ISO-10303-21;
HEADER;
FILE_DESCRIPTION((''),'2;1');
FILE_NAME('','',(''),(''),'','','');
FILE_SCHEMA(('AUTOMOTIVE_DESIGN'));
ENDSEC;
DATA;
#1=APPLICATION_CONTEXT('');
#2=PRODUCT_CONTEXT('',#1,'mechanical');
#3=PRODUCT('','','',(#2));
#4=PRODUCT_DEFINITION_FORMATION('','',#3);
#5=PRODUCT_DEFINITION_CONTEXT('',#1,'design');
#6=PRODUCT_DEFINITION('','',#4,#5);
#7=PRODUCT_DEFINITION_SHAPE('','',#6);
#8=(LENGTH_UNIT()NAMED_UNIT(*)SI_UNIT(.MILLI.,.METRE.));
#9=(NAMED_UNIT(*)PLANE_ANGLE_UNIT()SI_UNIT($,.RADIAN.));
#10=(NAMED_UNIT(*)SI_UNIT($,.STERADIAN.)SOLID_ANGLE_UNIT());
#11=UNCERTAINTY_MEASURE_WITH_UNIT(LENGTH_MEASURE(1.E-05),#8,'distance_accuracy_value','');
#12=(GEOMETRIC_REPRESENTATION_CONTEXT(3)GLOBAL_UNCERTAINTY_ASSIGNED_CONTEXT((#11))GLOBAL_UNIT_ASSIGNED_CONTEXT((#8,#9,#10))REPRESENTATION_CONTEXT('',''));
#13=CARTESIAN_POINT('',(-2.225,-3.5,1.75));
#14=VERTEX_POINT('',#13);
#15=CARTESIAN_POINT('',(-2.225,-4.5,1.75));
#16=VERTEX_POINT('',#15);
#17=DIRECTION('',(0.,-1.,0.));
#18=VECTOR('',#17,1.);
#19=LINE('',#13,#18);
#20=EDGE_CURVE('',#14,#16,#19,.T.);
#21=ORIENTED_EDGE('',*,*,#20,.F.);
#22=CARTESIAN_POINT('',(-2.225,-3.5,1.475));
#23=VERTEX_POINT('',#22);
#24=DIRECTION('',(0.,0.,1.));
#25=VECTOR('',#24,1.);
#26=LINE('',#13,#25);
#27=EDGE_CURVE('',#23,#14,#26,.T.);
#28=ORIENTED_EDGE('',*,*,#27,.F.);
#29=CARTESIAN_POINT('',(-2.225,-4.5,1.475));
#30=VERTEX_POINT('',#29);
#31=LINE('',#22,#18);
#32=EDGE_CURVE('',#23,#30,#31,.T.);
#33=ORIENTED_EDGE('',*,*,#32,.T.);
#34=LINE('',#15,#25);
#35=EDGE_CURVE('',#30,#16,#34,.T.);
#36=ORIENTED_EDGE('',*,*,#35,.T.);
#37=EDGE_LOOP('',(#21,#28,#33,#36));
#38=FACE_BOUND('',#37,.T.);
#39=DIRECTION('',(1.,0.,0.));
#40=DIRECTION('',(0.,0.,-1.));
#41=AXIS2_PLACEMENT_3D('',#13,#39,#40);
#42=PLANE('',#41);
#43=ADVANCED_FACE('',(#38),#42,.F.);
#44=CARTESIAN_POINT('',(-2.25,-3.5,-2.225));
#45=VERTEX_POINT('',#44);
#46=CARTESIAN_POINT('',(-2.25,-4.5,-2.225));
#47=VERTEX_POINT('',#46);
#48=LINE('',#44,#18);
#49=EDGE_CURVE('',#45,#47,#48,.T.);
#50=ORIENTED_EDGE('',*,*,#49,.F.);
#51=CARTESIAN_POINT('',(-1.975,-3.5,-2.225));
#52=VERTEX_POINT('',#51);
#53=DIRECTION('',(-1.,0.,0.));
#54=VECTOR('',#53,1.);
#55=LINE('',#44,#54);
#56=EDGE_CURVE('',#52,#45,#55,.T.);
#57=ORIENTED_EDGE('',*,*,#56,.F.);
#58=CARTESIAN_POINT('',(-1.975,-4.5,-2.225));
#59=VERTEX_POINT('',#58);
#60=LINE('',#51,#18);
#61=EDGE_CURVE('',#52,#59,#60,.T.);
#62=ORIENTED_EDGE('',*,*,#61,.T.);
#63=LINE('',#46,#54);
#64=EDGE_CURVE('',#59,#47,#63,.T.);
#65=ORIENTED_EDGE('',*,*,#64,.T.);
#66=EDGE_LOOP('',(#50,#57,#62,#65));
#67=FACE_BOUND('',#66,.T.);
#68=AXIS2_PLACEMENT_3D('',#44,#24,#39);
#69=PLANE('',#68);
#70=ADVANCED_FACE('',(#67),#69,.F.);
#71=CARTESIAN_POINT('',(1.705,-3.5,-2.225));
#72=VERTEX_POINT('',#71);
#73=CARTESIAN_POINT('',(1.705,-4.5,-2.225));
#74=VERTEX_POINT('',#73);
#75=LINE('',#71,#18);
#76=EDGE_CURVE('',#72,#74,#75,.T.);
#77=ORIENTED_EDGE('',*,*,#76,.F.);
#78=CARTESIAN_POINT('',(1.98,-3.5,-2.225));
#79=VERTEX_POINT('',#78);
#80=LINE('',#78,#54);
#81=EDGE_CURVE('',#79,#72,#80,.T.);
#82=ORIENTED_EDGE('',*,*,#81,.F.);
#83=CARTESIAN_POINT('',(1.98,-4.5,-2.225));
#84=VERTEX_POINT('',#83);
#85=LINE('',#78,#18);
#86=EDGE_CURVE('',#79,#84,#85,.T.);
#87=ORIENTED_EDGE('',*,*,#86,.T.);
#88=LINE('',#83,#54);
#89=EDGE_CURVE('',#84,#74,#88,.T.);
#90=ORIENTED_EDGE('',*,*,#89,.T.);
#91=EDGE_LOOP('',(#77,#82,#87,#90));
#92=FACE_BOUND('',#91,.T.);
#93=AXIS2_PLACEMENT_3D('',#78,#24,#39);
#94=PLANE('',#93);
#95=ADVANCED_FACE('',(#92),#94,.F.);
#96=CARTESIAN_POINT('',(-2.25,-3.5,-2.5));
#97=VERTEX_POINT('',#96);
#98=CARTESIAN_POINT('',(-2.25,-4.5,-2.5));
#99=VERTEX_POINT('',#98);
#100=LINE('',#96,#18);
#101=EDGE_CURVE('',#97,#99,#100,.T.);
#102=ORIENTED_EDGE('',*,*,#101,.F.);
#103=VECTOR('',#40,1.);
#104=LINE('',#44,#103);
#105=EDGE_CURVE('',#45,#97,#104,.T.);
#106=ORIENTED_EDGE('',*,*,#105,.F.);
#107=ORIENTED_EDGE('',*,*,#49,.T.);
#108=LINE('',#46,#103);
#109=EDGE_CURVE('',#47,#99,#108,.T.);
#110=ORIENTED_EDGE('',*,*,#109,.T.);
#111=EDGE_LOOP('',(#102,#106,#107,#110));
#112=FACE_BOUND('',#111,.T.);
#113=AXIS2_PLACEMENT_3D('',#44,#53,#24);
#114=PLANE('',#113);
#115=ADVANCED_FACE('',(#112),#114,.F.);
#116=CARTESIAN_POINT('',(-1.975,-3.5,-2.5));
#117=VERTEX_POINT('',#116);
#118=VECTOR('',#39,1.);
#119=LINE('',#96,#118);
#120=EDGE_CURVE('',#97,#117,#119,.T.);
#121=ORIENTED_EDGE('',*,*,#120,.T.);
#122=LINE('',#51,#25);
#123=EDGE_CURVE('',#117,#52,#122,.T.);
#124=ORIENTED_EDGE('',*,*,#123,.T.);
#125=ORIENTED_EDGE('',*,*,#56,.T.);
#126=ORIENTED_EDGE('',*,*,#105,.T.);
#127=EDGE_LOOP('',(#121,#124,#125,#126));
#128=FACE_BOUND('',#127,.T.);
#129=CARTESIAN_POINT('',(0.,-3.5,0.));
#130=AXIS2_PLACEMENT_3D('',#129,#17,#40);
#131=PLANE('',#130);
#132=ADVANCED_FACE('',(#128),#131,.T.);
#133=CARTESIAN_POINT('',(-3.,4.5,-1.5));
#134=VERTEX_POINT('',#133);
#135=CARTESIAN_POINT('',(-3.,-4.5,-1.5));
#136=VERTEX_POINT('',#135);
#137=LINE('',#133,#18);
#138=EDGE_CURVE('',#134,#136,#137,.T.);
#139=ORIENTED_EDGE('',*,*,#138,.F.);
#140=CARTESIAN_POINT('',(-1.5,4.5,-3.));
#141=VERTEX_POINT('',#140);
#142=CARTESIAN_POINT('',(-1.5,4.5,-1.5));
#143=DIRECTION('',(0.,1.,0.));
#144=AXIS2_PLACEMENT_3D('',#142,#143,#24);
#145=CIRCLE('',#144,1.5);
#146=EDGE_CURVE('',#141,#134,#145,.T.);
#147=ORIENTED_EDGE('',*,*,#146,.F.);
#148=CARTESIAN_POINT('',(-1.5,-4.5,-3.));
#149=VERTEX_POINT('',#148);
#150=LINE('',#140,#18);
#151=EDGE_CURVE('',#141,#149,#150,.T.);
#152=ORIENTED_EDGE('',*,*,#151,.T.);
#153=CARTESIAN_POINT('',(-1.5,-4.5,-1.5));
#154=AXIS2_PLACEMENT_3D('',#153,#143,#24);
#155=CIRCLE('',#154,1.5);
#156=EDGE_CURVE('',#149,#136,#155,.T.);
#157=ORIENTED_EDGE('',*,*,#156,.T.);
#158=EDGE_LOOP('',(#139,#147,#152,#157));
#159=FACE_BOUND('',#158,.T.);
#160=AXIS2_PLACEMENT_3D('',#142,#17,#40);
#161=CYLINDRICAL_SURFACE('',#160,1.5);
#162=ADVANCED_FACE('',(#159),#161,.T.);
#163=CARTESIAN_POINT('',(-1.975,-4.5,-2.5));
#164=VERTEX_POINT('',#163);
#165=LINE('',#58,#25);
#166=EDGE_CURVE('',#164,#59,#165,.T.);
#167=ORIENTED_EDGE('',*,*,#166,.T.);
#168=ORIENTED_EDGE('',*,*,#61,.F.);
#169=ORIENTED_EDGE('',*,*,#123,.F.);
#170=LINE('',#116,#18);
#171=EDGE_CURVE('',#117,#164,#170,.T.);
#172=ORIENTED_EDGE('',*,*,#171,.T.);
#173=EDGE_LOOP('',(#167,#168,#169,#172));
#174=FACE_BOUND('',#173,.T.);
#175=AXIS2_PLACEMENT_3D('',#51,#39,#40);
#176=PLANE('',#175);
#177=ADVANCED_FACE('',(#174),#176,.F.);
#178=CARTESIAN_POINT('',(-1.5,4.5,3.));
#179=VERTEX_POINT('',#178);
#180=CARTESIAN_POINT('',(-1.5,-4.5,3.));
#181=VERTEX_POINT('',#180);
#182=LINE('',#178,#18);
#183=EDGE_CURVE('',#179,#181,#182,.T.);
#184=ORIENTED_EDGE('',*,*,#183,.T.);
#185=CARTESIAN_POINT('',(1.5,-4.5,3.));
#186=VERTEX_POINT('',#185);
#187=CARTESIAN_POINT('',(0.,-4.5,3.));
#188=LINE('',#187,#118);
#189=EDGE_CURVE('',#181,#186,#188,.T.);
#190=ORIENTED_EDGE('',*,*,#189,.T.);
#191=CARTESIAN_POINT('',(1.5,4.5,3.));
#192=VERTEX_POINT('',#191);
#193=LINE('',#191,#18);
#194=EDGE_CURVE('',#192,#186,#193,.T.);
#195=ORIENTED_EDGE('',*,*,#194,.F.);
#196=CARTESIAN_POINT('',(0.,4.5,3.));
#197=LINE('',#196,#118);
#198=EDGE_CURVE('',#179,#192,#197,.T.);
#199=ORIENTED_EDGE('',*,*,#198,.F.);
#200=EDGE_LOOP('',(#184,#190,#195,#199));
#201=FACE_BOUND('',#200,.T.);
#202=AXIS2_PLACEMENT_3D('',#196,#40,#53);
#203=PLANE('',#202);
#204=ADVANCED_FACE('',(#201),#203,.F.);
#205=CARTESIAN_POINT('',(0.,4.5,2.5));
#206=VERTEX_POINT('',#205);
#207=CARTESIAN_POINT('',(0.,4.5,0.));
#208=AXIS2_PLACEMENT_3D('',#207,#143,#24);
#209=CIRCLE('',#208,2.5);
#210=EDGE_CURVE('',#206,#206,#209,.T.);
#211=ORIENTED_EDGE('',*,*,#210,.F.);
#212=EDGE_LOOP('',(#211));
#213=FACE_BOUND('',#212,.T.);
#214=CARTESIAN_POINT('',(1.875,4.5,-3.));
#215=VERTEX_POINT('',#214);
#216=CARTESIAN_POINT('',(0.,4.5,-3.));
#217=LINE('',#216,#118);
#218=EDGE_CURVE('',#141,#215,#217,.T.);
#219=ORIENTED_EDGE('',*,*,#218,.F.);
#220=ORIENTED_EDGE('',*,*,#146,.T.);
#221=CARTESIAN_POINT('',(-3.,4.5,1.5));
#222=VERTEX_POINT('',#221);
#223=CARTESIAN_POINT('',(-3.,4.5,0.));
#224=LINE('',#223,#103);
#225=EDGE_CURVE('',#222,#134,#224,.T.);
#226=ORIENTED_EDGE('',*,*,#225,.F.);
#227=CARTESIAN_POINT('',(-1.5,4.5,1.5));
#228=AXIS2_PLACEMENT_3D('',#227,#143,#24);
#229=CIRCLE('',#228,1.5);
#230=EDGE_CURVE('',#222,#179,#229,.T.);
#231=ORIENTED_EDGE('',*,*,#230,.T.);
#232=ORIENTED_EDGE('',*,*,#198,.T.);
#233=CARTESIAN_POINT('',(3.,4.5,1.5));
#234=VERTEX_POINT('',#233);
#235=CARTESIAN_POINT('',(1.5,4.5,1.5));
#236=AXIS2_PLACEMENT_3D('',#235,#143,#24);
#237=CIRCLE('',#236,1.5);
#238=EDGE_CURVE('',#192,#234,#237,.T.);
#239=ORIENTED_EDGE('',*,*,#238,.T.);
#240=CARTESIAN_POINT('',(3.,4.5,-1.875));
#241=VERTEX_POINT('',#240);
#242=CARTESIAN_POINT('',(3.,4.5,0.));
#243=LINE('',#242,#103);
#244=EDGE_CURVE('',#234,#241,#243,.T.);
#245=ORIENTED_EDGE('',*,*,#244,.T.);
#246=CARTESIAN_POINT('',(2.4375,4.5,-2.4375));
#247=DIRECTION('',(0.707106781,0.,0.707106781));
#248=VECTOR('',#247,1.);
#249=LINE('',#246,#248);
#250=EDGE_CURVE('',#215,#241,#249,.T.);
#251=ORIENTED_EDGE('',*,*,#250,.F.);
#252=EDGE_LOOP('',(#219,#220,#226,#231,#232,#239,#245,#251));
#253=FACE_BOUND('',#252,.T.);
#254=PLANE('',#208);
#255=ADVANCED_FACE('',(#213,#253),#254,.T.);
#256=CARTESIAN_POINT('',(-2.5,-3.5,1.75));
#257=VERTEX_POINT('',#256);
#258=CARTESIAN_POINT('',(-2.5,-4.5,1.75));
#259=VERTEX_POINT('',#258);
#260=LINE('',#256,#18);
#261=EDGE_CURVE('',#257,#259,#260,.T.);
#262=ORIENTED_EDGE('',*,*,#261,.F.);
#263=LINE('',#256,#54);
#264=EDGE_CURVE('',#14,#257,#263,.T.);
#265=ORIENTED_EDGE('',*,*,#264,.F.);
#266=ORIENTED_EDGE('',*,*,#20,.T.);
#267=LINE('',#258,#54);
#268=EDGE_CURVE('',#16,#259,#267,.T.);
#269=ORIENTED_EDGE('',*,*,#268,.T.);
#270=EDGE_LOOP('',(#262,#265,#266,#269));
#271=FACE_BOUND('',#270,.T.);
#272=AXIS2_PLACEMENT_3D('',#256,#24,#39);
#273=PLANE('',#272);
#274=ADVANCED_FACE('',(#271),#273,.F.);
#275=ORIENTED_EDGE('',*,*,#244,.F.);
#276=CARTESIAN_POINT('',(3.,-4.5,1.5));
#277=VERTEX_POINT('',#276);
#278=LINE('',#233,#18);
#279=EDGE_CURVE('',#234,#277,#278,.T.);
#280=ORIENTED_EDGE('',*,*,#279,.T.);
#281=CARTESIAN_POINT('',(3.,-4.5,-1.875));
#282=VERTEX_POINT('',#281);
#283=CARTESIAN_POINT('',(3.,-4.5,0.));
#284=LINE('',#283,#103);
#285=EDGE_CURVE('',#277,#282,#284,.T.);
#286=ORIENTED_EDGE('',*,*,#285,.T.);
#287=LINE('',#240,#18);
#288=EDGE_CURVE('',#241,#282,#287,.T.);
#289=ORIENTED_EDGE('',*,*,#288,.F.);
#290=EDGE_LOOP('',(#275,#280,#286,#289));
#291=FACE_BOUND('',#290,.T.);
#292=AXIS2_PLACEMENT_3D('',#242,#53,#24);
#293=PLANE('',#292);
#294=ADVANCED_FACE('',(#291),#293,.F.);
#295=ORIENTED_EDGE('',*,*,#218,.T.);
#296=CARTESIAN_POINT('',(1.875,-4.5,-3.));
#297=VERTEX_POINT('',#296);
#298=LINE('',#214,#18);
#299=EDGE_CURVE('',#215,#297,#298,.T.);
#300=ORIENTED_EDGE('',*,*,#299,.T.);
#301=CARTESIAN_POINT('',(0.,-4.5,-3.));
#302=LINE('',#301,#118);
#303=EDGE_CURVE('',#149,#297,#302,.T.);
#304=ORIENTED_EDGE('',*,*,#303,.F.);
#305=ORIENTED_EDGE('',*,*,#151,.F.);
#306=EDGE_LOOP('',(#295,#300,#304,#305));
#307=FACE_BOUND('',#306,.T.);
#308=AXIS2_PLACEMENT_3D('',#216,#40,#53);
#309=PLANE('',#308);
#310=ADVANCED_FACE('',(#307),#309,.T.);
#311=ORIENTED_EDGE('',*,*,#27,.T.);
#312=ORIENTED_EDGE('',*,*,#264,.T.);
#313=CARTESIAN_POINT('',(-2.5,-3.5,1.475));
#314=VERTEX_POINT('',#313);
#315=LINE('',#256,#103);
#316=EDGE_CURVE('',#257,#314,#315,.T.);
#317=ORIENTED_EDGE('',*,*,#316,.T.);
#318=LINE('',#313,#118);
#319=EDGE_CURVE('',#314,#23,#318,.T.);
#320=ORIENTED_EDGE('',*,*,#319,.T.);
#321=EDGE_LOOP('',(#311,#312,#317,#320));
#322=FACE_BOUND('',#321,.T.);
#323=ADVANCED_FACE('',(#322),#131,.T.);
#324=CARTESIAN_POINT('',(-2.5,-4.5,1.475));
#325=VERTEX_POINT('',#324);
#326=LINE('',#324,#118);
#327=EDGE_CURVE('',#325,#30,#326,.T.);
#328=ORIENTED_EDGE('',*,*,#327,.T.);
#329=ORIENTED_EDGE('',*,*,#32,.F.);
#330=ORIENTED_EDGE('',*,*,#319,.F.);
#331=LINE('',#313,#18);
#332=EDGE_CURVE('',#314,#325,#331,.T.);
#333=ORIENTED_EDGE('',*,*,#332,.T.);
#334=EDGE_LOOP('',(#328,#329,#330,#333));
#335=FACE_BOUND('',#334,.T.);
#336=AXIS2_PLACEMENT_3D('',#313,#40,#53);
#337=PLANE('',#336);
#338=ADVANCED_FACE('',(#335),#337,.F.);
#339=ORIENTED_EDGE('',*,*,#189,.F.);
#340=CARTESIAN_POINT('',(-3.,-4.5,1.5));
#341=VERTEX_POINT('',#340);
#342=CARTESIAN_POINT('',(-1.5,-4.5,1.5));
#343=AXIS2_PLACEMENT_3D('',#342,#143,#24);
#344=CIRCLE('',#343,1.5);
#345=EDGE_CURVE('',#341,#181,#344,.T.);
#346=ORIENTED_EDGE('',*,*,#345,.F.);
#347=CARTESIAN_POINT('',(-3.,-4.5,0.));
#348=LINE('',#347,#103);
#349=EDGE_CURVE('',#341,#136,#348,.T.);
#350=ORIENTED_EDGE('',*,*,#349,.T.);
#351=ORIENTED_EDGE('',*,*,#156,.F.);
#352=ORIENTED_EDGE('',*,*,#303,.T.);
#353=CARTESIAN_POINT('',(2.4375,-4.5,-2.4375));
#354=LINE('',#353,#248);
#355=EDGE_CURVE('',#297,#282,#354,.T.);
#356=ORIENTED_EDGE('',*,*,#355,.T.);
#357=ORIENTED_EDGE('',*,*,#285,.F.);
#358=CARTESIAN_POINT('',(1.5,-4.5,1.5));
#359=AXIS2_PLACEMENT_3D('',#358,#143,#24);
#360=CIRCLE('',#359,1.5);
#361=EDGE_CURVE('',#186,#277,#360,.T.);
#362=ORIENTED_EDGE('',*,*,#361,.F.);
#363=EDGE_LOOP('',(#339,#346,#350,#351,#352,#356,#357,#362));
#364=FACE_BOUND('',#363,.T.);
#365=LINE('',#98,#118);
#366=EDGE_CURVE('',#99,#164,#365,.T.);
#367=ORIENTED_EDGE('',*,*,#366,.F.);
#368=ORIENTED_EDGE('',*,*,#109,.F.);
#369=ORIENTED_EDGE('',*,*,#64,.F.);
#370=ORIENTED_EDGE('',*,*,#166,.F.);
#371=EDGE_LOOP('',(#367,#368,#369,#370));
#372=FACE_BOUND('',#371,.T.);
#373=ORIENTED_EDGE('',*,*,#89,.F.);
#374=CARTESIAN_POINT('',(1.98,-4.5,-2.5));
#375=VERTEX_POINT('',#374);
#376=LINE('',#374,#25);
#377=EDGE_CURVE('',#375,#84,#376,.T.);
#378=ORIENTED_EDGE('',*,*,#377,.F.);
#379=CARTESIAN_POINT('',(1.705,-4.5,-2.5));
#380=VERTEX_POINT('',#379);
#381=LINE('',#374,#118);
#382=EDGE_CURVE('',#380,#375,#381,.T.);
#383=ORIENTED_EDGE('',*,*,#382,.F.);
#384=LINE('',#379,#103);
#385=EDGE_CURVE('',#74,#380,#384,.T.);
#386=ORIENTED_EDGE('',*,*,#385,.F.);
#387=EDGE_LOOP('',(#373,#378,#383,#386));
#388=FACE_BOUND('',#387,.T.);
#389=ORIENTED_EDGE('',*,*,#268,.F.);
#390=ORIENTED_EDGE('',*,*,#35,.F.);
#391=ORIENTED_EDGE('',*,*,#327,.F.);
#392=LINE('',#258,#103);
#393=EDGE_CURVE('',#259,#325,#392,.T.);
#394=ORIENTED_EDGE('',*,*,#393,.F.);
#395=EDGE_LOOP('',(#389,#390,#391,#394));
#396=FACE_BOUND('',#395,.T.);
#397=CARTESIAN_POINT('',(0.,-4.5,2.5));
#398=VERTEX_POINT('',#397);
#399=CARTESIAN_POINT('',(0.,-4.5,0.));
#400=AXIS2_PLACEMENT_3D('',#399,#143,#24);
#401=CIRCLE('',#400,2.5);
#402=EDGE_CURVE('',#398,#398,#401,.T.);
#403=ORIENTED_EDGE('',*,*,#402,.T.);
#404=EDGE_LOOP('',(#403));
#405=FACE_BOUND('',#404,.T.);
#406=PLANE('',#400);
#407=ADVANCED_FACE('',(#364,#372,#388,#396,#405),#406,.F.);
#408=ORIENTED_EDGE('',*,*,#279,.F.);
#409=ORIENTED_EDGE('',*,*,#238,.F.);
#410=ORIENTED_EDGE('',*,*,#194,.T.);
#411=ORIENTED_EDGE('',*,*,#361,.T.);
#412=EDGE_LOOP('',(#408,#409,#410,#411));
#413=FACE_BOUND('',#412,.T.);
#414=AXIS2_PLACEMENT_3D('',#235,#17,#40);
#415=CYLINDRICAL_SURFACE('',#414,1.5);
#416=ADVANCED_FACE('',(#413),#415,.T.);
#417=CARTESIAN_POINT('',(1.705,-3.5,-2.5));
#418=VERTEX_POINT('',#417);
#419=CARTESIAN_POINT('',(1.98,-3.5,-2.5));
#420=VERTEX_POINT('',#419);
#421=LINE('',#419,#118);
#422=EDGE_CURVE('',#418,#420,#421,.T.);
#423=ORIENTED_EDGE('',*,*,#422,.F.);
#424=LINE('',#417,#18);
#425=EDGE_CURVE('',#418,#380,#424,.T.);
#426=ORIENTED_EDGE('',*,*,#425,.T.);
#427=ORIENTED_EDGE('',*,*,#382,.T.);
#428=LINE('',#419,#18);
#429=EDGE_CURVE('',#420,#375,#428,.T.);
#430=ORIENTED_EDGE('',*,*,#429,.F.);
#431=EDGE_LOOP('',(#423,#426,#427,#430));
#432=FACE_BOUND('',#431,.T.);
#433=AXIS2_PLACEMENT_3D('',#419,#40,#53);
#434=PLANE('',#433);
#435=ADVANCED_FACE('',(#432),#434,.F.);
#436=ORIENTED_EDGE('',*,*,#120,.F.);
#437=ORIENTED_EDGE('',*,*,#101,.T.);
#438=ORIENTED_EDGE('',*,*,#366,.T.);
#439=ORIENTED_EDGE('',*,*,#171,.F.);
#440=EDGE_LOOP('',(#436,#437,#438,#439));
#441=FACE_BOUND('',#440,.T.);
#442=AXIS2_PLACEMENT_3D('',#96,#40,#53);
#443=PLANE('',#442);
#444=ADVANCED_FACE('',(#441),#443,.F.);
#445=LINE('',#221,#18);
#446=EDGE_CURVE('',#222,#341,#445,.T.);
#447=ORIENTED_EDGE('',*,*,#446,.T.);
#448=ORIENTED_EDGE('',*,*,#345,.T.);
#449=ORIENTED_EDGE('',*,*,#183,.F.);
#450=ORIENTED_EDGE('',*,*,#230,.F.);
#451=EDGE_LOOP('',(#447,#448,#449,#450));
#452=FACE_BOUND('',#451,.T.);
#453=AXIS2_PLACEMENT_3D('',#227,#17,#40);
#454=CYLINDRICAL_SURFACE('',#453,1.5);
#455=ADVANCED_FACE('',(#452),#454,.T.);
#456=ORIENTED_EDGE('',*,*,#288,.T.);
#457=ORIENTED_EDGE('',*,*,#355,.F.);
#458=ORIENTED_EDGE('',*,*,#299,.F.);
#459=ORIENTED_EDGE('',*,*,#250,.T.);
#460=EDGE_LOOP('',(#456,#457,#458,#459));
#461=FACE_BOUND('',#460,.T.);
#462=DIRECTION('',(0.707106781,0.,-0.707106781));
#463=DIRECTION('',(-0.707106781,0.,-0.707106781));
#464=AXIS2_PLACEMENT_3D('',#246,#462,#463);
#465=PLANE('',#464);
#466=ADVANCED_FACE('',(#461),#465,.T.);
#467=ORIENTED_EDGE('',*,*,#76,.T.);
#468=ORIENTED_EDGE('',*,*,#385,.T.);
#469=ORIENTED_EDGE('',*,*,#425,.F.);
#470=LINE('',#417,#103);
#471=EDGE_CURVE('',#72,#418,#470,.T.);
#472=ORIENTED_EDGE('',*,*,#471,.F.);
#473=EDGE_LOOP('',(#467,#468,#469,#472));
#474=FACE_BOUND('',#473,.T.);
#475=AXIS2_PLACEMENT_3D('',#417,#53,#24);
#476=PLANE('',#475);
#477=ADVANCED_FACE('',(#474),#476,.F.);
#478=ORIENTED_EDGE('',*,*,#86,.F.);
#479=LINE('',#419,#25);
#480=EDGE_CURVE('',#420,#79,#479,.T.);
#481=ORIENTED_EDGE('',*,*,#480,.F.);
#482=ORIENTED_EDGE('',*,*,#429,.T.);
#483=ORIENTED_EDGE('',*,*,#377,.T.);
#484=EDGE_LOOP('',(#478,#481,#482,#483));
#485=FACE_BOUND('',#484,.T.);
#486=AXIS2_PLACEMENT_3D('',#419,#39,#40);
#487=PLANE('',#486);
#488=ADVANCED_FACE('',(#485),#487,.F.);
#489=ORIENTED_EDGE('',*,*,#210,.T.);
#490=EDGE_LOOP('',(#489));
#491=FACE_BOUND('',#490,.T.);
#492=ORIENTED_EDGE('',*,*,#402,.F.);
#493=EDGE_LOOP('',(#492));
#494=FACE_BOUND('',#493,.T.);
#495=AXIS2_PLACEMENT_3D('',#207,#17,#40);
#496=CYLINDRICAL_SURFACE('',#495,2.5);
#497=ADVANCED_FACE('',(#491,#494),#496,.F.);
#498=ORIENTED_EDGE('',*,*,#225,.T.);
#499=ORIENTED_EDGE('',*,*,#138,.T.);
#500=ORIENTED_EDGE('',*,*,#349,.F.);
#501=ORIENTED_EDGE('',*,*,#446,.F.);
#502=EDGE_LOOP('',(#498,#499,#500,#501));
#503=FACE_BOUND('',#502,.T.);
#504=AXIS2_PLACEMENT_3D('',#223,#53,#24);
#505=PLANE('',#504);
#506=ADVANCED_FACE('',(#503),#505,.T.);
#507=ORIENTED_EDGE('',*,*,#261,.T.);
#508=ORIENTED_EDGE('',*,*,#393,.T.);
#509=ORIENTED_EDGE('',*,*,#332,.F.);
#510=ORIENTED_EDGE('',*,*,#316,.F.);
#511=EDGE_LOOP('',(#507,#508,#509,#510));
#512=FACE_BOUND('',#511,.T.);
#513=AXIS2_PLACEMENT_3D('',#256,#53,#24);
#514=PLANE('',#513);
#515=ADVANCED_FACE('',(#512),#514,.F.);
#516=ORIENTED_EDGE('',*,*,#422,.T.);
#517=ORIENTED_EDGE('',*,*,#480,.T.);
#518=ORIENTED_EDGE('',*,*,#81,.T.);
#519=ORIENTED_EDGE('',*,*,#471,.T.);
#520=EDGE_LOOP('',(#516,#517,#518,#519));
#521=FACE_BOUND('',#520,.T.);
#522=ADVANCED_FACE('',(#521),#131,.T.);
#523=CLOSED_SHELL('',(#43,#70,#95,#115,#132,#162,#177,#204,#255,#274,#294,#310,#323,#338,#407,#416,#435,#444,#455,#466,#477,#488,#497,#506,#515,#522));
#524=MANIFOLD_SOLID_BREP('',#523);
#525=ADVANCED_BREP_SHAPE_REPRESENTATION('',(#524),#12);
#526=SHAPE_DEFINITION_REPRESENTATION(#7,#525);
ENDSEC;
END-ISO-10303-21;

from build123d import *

# Parameters (mm, degrees)
SKETCH1_R           = 2.5
BOSS_EXTRUDE1_DEPTH = 4.5
SKETCH2_W           = 0.275
SKETCH2_H           = 0.275
CUT_EXTRUDE1_DEPTH  = 1


with BuildPart() as part:
    # Sketch1 → Boss-Extrude1 (new body, symmetric)
    with BuildSketch(Plane(origin=(0, 0, 0), x_dir=(1, 0, 0), z_dir=(0, 1, 0))):
        with BuildLine():
            Line((3, 1.875), (1.875, 3))
            Line((1.875, 3), (-1.5, 3))
            ThreePointArc((-1.5, 3), (-2.560660172, 2.560660172), (-3, 1.5))
            Line((-3, 1.5), (-3, -1.5))
            ThreePointArc((-3, -1.5), (-2.560660172, -2.560660172), (-1.5, -3))
            Line((-1.5, -3), (1.5, -3))
            ThreePointArc((1.5, -3), (2.560660172, -2.560660172), (3, -1.5))
            Line((3, -1.5), (3, 1.875))
        make_face()
        Circle(SKETCH1_R, mode=Mode.SUBTRACT)
    extrude(amount=BOSS_EXTRUDE1_DEPTH, both=True)

    # Sketch2 → Cut-Extrude1 (cut)
    with BuildSketch(Plane.XZ.offset(4.5)):
        with Locations((-2.3625, 1.6125)):
            Rectangle(SKETCH2_W, SKETCH2_H)
        with Locations((-2.1125, -2.3625)):
            Rectangle(SKETCH2_W, SKETCH2_H)
        with Locations((1.8425, -2.3625)):
            Rectangle(SKETCH2_W, SKETCH2_H)
    extrude(amount=-CUT_EXTRUDE1_DEPTH, mode=Mode.SUBTRACT)


solid = part.part
